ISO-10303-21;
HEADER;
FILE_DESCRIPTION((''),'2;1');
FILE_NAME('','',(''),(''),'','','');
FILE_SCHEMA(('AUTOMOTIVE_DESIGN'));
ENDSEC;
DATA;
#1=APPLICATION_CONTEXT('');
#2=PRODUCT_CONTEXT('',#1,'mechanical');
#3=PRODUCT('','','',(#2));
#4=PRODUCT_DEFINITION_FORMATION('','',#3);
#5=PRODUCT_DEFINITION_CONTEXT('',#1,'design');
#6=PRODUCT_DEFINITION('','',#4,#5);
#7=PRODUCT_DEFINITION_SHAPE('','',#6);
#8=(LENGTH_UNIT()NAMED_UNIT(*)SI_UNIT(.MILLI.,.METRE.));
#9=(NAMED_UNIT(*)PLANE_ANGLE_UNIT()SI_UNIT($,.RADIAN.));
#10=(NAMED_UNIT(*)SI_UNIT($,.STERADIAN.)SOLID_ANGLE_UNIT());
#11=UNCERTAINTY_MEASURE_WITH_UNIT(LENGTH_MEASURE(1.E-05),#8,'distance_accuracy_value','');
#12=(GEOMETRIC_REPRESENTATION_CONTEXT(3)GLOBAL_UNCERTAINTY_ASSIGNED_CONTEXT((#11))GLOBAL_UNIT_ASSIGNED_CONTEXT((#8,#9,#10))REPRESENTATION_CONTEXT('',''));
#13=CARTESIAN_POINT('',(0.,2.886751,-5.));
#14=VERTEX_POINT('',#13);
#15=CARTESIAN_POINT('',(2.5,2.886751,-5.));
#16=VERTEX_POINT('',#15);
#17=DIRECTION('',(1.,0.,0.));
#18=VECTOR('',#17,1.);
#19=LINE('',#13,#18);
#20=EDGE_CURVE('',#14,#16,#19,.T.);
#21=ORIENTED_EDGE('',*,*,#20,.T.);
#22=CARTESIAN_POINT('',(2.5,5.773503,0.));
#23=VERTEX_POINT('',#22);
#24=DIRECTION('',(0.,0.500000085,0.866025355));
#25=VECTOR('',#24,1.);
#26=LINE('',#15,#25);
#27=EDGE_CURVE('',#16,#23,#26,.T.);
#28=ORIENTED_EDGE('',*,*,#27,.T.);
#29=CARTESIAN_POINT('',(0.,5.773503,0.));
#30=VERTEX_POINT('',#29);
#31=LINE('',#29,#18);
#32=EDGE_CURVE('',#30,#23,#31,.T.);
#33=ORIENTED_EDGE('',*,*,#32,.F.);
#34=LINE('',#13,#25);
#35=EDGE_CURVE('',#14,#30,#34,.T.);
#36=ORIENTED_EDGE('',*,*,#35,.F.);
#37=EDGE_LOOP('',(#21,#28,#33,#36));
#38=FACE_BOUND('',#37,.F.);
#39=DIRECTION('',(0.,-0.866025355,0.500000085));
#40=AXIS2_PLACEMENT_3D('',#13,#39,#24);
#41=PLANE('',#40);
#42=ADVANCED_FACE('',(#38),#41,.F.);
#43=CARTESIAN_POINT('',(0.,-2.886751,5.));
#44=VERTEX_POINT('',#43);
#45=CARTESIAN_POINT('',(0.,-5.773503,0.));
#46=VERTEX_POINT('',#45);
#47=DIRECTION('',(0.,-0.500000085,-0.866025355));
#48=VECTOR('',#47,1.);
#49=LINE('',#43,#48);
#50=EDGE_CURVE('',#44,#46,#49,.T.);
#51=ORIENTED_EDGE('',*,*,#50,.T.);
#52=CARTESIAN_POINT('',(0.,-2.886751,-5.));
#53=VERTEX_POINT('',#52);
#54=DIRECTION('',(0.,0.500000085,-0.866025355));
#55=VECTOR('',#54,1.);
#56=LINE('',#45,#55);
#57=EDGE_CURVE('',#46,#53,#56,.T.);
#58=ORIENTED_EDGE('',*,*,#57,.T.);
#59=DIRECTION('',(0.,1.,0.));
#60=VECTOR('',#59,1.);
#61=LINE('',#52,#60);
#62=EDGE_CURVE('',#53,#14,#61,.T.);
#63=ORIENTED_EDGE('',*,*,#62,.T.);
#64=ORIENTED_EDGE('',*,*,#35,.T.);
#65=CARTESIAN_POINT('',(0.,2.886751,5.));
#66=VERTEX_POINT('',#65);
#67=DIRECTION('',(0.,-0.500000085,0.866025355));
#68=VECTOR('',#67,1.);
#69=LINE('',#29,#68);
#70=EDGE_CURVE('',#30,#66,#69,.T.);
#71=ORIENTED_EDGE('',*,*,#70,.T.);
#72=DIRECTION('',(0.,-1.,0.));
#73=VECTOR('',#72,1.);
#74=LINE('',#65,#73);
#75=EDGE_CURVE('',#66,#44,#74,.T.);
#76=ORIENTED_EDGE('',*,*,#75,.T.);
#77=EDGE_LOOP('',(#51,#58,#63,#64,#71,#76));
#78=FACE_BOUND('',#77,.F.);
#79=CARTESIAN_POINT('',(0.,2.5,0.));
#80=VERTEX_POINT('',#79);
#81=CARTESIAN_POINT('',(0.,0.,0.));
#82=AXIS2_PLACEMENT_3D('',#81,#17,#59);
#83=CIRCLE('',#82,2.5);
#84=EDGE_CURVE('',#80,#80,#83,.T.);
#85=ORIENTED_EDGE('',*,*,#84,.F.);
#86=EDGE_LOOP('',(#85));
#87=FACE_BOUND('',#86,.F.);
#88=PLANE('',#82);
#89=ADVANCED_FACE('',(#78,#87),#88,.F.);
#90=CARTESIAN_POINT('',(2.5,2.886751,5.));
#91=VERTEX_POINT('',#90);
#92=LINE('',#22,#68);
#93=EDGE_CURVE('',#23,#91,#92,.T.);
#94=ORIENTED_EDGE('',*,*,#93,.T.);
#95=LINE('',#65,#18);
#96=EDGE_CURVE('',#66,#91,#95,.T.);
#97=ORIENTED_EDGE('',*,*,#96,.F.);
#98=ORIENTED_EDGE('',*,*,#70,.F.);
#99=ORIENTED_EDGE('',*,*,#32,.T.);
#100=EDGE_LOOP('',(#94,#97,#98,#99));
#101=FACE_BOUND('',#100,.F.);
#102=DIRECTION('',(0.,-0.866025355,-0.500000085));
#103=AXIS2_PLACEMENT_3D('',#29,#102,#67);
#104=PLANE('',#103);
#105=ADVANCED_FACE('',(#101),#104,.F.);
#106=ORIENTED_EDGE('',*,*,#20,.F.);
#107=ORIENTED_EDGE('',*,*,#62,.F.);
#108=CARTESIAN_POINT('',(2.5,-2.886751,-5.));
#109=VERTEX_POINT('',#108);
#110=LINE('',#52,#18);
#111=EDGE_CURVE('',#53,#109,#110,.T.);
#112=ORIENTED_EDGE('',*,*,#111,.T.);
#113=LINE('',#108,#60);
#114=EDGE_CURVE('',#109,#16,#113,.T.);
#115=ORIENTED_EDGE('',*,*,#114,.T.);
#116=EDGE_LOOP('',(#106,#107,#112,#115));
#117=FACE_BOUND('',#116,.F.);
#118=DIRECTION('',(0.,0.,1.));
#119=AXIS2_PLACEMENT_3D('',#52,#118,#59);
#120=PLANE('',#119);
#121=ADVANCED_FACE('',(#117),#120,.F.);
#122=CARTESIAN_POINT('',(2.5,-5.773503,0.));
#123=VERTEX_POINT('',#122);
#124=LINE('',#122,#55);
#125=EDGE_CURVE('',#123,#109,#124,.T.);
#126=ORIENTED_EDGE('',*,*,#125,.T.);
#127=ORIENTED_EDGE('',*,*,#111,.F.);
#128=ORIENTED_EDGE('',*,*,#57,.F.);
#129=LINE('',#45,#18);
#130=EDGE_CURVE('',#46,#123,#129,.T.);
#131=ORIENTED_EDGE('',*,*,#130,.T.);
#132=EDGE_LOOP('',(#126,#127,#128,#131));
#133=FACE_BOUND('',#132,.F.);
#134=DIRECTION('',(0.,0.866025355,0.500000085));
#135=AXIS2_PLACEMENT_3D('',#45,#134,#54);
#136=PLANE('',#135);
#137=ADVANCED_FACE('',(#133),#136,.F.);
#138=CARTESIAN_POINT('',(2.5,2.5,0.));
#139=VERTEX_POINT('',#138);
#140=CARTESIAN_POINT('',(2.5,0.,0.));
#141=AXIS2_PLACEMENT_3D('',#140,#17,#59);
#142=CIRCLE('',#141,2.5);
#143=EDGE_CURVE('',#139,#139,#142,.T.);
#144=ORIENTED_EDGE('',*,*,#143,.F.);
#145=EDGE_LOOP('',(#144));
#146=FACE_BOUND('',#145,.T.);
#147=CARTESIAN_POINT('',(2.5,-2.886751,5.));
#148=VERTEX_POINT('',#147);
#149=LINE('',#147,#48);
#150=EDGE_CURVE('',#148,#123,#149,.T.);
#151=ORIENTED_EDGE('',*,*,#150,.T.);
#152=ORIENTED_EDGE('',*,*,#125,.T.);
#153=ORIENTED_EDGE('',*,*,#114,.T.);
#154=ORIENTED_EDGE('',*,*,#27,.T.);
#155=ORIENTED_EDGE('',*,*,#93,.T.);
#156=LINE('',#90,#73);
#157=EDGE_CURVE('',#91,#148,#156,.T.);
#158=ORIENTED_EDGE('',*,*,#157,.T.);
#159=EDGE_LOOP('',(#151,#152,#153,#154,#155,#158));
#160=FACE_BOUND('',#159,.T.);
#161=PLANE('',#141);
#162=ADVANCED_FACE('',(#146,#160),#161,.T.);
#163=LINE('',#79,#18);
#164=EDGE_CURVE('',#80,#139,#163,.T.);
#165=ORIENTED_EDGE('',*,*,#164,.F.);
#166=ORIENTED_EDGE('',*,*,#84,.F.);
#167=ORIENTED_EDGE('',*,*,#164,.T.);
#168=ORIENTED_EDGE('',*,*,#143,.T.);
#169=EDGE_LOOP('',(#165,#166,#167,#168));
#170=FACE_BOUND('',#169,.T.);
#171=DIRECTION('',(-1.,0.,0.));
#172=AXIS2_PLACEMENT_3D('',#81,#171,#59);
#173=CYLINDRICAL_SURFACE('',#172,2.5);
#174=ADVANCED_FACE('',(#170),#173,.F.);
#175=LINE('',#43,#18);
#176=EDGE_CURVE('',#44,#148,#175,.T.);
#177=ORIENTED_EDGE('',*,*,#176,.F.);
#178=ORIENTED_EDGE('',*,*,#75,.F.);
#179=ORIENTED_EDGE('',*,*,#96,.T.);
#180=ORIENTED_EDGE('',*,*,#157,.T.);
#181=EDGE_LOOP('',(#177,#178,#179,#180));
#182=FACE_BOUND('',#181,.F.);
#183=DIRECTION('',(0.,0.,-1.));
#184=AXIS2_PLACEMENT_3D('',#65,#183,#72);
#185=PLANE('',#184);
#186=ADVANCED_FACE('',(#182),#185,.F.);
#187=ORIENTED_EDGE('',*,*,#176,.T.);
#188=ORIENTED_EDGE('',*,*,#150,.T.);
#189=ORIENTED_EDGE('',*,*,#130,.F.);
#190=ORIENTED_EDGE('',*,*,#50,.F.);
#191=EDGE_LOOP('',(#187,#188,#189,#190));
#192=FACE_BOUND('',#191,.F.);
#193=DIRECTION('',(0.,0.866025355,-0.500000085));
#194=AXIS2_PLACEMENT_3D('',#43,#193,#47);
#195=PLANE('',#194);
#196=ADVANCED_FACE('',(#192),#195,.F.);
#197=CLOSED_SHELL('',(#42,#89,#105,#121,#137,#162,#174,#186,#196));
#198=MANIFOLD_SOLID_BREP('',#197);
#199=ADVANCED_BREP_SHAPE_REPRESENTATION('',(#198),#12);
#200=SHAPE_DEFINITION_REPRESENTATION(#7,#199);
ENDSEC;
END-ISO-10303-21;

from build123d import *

# Parameters (mm, degrees)
F0_R     = 2.5
F1_DEPTH = 2.5


with BuildPart() as f1:
    # F0 (on Right) → F1 (new body)
    with BuildSketch(Plane.YZ):
        Polygon((2.886751, 5), (-2.886751, 5), (-5.773503, 0), (-2.886751, -5), (2.886751, -5), (5.773503, 0), align=None)
        Circle(F0_R, mode=Mode.SUBTRACT)
    extrude(amount=F1_DEPTH)


solid = f1.part
